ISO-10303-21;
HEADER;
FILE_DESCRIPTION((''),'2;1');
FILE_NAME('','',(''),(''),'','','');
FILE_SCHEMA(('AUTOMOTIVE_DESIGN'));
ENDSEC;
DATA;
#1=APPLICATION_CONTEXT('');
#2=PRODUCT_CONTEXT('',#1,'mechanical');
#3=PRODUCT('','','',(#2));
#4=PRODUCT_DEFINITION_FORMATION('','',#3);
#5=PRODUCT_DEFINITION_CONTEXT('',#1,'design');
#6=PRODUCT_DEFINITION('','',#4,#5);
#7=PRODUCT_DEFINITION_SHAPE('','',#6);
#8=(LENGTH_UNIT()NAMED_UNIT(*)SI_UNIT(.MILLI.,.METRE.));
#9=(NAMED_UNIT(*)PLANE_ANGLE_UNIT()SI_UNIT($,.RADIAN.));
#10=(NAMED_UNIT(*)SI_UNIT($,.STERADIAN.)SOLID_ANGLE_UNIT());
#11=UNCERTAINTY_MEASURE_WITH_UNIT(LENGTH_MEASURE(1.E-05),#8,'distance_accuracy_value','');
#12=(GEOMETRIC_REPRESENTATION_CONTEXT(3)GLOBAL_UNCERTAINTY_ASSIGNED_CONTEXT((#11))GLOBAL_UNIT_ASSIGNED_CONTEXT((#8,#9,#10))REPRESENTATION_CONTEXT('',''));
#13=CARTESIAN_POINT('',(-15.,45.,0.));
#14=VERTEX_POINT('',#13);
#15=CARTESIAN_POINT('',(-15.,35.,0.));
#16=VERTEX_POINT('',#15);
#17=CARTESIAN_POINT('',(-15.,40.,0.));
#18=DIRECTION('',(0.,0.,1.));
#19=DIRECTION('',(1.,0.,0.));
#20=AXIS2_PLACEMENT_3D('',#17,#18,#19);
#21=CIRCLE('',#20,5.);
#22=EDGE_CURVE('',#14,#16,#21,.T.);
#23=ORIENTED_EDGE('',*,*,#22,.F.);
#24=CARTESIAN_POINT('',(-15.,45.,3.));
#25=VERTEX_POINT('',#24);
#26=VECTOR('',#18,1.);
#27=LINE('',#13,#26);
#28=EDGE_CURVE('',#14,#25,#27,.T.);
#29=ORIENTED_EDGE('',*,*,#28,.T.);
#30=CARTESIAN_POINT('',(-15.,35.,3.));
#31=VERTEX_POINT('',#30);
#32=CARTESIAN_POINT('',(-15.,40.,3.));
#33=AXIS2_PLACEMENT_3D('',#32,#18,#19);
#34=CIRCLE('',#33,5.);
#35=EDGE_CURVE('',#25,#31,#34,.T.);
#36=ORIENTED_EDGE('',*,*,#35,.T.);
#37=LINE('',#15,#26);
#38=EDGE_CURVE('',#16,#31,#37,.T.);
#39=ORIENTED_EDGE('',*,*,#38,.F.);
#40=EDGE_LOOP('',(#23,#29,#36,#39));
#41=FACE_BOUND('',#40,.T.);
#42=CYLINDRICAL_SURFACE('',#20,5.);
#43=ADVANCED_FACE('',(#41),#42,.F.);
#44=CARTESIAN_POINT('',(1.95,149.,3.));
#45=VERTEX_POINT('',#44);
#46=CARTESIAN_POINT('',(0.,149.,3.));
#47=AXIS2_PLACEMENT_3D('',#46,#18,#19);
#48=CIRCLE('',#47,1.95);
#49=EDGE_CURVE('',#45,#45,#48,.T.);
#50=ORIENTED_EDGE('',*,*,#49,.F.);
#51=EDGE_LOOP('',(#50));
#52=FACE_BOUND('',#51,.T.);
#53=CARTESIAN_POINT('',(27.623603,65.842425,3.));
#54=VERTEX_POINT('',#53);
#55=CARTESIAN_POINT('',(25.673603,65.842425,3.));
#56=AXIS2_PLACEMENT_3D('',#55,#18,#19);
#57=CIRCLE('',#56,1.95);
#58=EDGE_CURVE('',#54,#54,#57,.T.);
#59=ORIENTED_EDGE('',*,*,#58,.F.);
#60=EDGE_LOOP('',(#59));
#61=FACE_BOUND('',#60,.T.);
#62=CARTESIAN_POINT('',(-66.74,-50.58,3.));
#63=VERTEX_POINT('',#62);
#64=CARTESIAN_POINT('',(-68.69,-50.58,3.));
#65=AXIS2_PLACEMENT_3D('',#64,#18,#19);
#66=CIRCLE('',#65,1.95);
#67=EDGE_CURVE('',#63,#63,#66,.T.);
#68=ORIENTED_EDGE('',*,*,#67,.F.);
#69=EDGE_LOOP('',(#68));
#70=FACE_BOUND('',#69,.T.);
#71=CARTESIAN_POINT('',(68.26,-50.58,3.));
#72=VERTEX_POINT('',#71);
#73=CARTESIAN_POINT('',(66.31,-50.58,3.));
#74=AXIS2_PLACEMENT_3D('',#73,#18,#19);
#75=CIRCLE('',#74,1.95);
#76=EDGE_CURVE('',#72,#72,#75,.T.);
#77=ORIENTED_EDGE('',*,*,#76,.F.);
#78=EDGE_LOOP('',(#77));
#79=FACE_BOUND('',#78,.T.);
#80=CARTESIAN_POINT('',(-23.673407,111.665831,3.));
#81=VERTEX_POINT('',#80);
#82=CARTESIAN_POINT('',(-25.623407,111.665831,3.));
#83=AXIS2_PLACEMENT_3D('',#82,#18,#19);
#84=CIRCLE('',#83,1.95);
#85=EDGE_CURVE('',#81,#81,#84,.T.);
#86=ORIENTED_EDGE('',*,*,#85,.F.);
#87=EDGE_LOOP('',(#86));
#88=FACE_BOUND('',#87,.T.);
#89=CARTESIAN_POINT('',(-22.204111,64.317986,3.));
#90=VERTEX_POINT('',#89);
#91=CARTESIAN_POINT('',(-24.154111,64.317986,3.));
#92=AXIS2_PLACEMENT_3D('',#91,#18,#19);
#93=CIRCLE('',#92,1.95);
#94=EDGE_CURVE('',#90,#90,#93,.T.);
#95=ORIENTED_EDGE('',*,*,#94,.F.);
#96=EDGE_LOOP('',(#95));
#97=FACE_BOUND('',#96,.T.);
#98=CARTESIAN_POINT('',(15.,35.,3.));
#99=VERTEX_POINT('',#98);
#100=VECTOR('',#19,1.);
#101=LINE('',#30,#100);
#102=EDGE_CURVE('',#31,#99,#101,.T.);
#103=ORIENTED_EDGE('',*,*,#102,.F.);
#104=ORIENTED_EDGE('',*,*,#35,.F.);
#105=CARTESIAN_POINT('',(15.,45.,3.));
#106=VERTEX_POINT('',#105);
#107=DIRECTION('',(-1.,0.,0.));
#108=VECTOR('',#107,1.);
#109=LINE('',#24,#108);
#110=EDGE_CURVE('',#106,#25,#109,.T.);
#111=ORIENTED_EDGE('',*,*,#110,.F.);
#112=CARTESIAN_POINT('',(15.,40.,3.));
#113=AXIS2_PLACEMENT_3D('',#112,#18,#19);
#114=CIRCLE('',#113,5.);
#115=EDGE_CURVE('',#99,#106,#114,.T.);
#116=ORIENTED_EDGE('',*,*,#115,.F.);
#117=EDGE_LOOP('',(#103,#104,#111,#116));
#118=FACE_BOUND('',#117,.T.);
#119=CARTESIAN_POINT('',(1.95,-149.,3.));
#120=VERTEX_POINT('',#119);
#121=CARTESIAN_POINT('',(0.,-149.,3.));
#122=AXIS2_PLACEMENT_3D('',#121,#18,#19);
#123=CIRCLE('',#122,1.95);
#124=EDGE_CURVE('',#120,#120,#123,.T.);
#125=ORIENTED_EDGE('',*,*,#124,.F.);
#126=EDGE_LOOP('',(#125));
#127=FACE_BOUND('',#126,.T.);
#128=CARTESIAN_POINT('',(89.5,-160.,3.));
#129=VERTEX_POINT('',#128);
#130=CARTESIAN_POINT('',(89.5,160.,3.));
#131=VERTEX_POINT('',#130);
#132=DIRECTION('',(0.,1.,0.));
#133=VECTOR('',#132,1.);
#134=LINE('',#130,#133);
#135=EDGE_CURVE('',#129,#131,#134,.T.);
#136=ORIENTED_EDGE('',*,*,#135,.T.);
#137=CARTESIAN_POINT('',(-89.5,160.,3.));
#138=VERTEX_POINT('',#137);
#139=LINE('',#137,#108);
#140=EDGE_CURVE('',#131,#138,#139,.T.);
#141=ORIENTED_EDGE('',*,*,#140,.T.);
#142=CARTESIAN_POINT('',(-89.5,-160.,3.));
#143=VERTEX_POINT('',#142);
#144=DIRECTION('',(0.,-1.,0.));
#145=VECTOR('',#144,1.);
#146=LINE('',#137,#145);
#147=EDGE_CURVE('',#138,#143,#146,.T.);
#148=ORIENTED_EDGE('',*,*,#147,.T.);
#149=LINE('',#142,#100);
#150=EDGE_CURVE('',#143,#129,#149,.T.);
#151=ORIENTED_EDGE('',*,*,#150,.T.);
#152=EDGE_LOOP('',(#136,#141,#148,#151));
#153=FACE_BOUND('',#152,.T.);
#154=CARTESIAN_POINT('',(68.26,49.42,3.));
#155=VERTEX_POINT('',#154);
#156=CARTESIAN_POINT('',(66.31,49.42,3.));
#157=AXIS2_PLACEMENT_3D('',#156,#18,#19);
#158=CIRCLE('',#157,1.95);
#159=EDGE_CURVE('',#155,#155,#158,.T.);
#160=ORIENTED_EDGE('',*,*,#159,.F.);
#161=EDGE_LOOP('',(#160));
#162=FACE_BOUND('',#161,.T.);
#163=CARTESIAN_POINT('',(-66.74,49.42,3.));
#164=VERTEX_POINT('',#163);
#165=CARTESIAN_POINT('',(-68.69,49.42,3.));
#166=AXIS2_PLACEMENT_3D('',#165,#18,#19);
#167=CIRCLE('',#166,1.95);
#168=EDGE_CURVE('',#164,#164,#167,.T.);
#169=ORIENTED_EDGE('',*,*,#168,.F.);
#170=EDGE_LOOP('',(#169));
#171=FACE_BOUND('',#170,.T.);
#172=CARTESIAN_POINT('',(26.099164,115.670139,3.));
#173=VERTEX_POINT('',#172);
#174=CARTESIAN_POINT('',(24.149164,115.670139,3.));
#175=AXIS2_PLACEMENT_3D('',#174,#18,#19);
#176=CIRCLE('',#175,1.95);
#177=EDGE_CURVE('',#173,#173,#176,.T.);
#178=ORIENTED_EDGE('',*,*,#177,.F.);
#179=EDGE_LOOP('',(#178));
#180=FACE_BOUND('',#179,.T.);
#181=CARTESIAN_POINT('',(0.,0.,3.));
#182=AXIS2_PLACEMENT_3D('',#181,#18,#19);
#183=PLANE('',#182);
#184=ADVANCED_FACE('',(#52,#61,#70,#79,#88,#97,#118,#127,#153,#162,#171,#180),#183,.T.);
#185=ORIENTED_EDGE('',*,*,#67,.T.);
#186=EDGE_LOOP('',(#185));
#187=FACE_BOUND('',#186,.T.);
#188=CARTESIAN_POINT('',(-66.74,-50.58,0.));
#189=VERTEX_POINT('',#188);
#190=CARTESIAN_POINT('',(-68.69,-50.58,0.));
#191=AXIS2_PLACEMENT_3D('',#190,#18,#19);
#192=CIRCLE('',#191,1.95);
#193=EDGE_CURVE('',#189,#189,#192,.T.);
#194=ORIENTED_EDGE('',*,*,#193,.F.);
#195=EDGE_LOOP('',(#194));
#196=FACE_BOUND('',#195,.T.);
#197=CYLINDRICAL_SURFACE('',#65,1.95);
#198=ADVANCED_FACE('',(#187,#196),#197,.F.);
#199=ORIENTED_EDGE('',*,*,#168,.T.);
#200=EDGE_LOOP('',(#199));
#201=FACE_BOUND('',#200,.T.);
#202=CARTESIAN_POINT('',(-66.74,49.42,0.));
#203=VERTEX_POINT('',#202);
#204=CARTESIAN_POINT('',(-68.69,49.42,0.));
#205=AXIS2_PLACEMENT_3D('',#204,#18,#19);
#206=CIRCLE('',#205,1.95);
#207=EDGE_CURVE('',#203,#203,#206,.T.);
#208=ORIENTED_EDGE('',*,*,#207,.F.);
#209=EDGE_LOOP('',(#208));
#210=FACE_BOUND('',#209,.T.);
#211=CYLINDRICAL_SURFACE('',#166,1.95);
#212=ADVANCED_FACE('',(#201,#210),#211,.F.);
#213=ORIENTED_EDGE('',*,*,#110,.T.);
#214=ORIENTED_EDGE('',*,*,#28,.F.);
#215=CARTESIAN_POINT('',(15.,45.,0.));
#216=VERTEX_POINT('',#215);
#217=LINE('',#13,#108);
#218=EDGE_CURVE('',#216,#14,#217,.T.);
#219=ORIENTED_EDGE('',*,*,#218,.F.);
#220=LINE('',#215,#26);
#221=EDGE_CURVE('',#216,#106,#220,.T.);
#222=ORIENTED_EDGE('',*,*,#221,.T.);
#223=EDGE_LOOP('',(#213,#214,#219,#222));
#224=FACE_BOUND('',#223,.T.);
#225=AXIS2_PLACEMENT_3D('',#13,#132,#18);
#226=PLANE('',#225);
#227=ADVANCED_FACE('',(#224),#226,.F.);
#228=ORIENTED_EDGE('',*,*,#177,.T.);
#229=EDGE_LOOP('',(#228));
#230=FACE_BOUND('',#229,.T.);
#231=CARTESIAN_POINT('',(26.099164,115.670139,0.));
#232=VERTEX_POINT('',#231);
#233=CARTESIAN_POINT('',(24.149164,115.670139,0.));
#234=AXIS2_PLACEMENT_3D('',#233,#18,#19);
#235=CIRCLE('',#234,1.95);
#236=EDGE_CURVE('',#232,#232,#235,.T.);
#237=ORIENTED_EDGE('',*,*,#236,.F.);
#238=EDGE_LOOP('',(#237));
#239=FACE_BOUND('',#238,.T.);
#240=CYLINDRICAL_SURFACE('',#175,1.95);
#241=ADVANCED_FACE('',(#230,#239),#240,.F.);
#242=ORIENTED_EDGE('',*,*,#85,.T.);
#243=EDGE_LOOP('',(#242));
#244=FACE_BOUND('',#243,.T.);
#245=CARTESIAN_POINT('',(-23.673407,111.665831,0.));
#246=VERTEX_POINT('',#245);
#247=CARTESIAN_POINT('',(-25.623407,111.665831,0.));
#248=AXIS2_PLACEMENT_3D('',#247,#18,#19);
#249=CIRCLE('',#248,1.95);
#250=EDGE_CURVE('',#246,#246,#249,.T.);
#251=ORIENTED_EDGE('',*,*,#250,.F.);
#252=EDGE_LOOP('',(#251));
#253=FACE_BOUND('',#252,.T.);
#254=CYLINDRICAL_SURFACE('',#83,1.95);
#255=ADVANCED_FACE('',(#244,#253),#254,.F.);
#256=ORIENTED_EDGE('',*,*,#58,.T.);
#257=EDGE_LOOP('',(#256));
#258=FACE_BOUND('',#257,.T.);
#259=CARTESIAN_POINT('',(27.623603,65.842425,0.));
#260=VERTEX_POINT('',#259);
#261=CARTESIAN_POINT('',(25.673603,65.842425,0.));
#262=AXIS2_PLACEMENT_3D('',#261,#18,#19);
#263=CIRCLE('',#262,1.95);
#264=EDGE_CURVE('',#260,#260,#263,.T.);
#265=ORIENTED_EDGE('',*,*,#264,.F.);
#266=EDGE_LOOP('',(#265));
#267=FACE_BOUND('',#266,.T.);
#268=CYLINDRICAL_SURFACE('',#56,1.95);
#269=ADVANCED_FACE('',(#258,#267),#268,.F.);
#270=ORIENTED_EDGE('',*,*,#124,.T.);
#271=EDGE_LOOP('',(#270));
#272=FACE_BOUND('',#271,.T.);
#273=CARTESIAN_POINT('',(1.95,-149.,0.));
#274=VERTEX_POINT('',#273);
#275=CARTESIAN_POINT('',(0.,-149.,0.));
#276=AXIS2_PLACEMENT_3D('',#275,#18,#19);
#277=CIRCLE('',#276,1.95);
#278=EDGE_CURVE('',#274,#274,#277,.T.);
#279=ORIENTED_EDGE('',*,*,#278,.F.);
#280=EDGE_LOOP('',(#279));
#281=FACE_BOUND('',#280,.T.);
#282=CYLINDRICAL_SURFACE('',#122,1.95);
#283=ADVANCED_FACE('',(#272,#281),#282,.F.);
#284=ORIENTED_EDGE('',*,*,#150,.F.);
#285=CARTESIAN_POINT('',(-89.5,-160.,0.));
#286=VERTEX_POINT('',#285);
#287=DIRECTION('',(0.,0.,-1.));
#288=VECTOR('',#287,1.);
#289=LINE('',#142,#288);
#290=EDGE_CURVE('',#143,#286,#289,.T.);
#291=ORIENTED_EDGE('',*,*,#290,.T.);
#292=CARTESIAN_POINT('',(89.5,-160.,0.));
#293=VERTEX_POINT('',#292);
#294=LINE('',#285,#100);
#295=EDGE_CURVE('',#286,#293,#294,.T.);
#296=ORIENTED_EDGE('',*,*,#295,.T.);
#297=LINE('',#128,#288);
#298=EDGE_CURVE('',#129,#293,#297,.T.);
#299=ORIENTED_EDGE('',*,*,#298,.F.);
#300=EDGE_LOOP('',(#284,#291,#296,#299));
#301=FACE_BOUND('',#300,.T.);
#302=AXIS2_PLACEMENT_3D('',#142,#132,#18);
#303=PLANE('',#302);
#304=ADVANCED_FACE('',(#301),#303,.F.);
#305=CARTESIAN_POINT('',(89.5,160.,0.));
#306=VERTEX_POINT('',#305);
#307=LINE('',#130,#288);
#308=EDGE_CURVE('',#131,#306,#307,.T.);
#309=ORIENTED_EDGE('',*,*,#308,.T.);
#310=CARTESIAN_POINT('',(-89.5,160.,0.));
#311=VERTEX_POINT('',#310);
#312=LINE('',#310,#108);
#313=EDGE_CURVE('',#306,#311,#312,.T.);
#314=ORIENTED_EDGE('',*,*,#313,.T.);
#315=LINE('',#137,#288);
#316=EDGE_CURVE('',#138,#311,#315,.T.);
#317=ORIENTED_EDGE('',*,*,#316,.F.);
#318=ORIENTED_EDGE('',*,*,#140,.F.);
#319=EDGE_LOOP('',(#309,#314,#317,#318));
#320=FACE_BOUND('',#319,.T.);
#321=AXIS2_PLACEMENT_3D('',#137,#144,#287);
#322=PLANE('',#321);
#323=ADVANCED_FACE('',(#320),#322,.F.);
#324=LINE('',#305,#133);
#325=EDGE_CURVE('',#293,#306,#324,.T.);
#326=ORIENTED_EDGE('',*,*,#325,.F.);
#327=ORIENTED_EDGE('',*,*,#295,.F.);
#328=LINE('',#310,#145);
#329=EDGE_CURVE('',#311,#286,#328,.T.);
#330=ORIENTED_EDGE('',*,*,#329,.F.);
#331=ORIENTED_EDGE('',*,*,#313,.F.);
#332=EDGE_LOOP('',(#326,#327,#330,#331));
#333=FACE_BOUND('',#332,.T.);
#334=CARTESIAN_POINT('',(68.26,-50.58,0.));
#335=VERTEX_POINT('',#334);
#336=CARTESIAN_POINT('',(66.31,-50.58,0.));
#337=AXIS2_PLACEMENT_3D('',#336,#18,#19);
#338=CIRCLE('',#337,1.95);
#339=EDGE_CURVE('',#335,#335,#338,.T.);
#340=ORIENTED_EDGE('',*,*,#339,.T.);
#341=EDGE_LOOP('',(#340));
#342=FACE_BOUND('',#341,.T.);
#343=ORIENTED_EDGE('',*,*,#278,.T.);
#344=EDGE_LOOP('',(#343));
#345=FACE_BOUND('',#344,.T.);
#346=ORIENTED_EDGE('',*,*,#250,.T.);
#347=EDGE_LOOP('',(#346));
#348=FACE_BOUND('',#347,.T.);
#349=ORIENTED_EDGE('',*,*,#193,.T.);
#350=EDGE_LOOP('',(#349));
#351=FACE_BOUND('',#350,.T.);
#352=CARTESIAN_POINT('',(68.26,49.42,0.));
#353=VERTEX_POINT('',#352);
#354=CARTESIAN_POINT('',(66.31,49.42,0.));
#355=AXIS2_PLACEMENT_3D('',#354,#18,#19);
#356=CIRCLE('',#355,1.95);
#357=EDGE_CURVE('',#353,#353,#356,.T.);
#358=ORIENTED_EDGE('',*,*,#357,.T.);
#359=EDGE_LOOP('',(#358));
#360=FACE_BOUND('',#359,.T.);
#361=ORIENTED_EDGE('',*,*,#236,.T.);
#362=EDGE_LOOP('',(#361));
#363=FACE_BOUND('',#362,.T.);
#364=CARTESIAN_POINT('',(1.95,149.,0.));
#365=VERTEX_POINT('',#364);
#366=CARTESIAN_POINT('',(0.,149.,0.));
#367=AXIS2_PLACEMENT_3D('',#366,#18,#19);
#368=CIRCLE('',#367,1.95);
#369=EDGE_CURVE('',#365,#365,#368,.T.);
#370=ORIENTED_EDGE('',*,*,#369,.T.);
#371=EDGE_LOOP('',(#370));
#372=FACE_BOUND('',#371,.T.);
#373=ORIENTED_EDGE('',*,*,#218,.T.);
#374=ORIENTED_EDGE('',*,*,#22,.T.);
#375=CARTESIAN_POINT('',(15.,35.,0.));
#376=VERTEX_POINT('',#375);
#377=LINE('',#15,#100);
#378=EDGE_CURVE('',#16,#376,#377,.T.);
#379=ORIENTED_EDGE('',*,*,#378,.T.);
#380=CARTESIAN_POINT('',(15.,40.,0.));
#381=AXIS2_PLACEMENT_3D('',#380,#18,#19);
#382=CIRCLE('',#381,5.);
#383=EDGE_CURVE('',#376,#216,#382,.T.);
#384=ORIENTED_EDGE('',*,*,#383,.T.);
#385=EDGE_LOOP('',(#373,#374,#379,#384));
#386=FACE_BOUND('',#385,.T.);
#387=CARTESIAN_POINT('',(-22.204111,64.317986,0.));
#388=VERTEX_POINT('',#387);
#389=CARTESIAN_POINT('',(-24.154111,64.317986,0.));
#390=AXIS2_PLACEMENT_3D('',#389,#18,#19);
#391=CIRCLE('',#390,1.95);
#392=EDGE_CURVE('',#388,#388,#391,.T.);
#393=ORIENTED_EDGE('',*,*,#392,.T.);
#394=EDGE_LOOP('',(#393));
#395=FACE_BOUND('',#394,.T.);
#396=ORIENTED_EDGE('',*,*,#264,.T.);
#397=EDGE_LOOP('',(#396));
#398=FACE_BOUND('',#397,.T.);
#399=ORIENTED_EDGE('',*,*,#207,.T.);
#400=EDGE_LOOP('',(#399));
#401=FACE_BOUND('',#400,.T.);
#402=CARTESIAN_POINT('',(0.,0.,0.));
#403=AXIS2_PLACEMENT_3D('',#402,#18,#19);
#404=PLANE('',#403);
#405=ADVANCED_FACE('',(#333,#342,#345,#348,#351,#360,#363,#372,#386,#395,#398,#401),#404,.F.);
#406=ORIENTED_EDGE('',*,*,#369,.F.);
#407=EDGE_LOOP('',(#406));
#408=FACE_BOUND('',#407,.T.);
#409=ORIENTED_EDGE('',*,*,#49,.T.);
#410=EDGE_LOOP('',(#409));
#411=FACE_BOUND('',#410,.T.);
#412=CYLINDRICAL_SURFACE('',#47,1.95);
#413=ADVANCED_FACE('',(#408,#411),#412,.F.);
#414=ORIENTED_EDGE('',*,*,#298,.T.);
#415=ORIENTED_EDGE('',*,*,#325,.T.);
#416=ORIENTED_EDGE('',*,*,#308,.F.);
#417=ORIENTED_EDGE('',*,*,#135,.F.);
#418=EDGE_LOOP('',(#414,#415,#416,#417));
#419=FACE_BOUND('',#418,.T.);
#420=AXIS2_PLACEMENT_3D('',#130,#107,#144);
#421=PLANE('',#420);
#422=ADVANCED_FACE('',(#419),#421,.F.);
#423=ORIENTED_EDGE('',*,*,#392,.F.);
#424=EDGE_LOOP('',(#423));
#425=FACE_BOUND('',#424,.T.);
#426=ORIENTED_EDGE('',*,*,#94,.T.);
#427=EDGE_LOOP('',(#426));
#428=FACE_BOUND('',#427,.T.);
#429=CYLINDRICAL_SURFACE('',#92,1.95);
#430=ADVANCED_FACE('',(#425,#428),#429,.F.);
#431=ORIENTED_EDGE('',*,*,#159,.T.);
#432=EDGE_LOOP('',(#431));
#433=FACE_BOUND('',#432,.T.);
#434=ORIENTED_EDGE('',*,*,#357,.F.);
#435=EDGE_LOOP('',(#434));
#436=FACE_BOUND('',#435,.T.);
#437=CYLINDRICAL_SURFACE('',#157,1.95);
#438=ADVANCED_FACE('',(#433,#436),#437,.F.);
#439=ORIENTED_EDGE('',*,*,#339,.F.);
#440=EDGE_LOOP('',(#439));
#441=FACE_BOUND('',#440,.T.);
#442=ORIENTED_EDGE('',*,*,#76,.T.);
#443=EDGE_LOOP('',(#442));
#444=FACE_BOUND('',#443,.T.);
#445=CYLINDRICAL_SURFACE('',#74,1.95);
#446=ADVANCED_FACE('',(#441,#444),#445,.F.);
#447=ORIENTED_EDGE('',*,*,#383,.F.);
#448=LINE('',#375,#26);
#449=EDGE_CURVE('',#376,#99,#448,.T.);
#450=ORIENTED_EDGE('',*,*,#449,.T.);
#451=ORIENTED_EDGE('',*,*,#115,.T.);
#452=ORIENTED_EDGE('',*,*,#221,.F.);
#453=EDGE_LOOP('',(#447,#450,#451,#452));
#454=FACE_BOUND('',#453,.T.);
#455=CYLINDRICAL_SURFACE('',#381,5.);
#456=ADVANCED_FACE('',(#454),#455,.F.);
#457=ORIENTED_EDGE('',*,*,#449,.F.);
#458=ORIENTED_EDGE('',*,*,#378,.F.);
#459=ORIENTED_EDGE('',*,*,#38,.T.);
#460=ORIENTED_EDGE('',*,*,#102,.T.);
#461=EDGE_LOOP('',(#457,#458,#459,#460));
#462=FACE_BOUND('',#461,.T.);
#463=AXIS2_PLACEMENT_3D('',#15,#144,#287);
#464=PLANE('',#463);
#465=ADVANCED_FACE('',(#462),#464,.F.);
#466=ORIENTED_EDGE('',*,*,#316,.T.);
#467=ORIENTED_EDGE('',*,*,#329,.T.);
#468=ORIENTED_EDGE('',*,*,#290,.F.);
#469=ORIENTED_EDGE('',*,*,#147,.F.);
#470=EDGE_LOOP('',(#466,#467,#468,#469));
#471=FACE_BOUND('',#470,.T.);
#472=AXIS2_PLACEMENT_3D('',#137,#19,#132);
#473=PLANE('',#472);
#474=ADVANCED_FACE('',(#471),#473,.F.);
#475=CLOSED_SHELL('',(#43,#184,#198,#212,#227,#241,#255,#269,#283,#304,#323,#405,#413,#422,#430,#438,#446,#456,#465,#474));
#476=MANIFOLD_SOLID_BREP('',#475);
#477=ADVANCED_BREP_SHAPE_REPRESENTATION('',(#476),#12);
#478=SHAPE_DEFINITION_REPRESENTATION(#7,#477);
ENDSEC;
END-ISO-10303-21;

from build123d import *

# Parameters (mm, degrees)
CROQUIS2_W                     = 179
CROQUIS2_H                     = 320
SALIENTE_EXTRUIR1_DEPTH        = 3
TALADRO_DE_MARGEN_PARA_M3_51_D = 3.9
CORTAR_EXTRUIR1_DEPTH          = 184.355528959
TALADRO_DE_MARGEN_PARA_M3_52_D = 3.9


with BuildPart() as part:
    # Croquis2 → Saliente-Extruir1 (new body)
    with BuildSketch(Plane.XY):
        Rectangle(CROQUIS2_W, CROQUIS2_H)
    extrude(amount=SALIENTE_EXTRUIR1_DEPTH)

    # Taladro de margen para M3.51 (through all)
    with Locations(Plane.XY.offset(3)):
        with Locations((0, 149), (-68.69, 49.42), (66.31, 49.42), (-68.69, -50.58), (0, -149), (66.31, -50.58)):
            Hole(TALADRO_DE_MARGEN_PARA_M3_51_D / 2)

    # robot arm bores → Cortar-Extruir1 (cut, through all)
    with BuildSketch(Plane.XY.offset(3)):
        with BuildLine():
            Line((-15, 45), (15, 45))
            ThreePointArc((15, 45), (20, 40), (15, 35))
            Line((15, 35), (-15, 35))
            ThreePointArc((-15, 35), (-20, 40), (-15, 45))
        make_face()
    extrude(amount=-CORTAR_EXTRUIR1_DEPTH, mode=Mode.SUBTRACT)

    # Taladro de margen para M3.52 (through all)
    with Locations(Plane.XY.offset(3)):
        with Locations((-24.154111306, 64.317986379), (25.673602741, 65.84242489), (24.14916423, 115.670138938), (-25.623407417, 111.66583138)):
            Hole(TALADRO_DE_MARGEN_PARA_M3_52_D / 2)


solid = part.part
